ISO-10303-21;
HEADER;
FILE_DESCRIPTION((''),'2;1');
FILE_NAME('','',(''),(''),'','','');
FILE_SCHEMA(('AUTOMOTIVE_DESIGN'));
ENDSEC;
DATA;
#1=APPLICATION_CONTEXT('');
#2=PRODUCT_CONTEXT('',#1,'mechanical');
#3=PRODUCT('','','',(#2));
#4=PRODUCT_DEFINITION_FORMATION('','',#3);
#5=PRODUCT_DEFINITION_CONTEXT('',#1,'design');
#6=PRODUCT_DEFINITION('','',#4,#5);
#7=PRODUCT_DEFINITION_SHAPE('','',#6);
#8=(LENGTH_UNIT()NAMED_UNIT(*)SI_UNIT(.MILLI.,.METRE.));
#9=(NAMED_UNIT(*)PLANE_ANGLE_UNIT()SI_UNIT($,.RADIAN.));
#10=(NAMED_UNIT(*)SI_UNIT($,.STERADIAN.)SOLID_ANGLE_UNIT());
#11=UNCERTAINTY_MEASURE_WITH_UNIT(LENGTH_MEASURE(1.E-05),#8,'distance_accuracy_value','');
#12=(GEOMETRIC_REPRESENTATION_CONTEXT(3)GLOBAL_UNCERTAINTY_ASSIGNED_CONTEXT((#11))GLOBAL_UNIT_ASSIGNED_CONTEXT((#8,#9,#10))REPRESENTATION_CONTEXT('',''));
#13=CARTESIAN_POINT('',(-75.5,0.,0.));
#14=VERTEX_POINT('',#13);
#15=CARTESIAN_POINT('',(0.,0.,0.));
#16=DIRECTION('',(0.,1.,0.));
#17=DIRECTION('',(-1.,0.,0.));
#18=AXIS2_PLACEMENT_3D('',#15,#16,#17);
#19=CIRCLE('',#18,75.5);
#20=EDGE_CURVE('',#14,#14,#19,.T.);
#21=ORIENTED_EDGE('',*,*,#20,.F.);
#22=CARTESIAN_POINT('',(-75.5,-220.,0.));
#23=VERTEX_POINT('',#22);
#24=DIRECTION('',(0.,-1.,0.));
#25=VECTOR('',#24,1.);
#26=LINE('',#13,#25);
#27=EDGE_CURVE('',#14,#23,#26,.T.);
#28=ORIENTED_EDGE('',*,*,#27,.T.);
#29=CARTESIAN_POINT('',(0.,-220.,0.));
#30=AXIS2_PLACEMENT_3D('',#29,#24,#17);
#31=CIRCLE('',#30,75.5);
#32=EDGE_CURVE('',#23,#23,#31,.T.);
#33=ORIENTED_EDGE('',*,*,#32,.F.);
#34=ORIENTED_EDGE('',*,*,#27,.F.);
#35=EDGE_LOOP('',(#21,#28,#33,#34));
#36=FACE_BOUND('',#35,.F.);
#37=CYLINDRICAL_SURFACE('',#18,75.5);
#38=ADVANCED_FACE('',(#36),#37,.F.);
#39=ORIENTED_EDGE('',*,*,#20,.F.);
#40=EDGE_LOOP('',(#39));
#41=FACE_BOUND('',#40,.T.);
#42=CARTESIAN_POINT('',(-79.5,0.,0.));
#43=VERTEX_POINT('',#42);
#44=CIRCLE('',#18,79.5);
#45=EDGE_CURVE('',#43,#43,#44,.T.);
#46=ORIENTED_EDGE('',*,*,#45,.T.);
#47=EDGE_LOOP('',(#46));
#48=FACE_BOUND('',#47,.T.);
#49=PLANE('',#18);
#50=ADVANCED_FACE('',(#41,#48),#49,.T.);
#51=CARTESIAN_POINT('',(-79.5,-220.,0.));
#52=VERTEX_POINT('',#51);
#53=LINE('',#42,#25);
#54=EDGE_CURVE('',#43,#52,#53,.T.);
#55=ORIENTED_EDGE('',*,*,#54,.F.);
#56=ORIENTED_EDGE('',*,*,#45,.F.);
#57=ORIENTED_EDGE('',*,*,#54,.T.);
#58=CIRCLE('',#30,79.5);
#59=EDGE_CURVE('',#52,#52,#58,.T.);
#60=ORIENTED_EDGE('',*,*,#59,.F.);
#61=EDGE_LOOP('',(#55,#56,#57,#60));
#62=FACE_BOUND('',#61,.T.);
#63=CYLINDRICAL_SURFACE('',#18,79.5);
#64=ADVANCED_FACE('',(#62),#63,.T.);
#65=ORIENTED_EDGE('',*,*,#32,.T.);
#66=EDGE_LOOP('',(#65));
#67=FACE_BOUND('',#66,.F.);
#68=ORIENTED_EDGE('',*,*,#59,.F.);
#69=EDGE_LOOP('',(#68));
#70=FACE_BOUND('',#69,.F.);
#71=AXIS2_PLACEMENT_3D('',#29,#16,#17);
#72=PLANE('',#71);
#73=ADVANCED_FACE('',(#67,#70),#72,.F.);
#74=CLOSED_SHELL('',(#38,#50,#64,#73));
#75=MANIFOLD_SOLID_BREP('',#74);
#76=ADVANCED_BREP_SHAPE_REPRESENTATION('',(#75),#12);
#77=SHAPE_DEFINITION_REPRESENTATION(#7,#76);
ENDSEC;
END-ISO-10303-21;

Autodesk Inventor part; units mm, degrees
ref_plane "YZ Plane" through (0, 0, 0) normal (1, 0, 0) x (0, 1, 0)
ref_plane "XZ Plane" through (0, 0, 0) normal (0, 1, 0) x (-1, 0, 0)
ref_plane "XY Plane" through (0, 0, 0) normal (0, 0, 1) x (1, 0, 0)
sketch "Sketch1" plane through (0, 0, 0) normal (0, 1, 0) x (-1, 0, 0)
  circle A0 centre (0, 0) radius 79.5
  circle A1 centre (0, 0) radius 75.5
  line L0 (79.5, 0) -> (-79.5, 0)
  point P0 (-75.5, 0)
  point P1 (75.5, 0)
  dimension "d0" = 159
  dimension "d1" = 4
extrude "Extrusion1" add sketch "Sketch1" against normal blind 220 contours L0 A1 A0 | A0 L0 A1
properties part number "PNS 1704 charging tube" material "Steel"
